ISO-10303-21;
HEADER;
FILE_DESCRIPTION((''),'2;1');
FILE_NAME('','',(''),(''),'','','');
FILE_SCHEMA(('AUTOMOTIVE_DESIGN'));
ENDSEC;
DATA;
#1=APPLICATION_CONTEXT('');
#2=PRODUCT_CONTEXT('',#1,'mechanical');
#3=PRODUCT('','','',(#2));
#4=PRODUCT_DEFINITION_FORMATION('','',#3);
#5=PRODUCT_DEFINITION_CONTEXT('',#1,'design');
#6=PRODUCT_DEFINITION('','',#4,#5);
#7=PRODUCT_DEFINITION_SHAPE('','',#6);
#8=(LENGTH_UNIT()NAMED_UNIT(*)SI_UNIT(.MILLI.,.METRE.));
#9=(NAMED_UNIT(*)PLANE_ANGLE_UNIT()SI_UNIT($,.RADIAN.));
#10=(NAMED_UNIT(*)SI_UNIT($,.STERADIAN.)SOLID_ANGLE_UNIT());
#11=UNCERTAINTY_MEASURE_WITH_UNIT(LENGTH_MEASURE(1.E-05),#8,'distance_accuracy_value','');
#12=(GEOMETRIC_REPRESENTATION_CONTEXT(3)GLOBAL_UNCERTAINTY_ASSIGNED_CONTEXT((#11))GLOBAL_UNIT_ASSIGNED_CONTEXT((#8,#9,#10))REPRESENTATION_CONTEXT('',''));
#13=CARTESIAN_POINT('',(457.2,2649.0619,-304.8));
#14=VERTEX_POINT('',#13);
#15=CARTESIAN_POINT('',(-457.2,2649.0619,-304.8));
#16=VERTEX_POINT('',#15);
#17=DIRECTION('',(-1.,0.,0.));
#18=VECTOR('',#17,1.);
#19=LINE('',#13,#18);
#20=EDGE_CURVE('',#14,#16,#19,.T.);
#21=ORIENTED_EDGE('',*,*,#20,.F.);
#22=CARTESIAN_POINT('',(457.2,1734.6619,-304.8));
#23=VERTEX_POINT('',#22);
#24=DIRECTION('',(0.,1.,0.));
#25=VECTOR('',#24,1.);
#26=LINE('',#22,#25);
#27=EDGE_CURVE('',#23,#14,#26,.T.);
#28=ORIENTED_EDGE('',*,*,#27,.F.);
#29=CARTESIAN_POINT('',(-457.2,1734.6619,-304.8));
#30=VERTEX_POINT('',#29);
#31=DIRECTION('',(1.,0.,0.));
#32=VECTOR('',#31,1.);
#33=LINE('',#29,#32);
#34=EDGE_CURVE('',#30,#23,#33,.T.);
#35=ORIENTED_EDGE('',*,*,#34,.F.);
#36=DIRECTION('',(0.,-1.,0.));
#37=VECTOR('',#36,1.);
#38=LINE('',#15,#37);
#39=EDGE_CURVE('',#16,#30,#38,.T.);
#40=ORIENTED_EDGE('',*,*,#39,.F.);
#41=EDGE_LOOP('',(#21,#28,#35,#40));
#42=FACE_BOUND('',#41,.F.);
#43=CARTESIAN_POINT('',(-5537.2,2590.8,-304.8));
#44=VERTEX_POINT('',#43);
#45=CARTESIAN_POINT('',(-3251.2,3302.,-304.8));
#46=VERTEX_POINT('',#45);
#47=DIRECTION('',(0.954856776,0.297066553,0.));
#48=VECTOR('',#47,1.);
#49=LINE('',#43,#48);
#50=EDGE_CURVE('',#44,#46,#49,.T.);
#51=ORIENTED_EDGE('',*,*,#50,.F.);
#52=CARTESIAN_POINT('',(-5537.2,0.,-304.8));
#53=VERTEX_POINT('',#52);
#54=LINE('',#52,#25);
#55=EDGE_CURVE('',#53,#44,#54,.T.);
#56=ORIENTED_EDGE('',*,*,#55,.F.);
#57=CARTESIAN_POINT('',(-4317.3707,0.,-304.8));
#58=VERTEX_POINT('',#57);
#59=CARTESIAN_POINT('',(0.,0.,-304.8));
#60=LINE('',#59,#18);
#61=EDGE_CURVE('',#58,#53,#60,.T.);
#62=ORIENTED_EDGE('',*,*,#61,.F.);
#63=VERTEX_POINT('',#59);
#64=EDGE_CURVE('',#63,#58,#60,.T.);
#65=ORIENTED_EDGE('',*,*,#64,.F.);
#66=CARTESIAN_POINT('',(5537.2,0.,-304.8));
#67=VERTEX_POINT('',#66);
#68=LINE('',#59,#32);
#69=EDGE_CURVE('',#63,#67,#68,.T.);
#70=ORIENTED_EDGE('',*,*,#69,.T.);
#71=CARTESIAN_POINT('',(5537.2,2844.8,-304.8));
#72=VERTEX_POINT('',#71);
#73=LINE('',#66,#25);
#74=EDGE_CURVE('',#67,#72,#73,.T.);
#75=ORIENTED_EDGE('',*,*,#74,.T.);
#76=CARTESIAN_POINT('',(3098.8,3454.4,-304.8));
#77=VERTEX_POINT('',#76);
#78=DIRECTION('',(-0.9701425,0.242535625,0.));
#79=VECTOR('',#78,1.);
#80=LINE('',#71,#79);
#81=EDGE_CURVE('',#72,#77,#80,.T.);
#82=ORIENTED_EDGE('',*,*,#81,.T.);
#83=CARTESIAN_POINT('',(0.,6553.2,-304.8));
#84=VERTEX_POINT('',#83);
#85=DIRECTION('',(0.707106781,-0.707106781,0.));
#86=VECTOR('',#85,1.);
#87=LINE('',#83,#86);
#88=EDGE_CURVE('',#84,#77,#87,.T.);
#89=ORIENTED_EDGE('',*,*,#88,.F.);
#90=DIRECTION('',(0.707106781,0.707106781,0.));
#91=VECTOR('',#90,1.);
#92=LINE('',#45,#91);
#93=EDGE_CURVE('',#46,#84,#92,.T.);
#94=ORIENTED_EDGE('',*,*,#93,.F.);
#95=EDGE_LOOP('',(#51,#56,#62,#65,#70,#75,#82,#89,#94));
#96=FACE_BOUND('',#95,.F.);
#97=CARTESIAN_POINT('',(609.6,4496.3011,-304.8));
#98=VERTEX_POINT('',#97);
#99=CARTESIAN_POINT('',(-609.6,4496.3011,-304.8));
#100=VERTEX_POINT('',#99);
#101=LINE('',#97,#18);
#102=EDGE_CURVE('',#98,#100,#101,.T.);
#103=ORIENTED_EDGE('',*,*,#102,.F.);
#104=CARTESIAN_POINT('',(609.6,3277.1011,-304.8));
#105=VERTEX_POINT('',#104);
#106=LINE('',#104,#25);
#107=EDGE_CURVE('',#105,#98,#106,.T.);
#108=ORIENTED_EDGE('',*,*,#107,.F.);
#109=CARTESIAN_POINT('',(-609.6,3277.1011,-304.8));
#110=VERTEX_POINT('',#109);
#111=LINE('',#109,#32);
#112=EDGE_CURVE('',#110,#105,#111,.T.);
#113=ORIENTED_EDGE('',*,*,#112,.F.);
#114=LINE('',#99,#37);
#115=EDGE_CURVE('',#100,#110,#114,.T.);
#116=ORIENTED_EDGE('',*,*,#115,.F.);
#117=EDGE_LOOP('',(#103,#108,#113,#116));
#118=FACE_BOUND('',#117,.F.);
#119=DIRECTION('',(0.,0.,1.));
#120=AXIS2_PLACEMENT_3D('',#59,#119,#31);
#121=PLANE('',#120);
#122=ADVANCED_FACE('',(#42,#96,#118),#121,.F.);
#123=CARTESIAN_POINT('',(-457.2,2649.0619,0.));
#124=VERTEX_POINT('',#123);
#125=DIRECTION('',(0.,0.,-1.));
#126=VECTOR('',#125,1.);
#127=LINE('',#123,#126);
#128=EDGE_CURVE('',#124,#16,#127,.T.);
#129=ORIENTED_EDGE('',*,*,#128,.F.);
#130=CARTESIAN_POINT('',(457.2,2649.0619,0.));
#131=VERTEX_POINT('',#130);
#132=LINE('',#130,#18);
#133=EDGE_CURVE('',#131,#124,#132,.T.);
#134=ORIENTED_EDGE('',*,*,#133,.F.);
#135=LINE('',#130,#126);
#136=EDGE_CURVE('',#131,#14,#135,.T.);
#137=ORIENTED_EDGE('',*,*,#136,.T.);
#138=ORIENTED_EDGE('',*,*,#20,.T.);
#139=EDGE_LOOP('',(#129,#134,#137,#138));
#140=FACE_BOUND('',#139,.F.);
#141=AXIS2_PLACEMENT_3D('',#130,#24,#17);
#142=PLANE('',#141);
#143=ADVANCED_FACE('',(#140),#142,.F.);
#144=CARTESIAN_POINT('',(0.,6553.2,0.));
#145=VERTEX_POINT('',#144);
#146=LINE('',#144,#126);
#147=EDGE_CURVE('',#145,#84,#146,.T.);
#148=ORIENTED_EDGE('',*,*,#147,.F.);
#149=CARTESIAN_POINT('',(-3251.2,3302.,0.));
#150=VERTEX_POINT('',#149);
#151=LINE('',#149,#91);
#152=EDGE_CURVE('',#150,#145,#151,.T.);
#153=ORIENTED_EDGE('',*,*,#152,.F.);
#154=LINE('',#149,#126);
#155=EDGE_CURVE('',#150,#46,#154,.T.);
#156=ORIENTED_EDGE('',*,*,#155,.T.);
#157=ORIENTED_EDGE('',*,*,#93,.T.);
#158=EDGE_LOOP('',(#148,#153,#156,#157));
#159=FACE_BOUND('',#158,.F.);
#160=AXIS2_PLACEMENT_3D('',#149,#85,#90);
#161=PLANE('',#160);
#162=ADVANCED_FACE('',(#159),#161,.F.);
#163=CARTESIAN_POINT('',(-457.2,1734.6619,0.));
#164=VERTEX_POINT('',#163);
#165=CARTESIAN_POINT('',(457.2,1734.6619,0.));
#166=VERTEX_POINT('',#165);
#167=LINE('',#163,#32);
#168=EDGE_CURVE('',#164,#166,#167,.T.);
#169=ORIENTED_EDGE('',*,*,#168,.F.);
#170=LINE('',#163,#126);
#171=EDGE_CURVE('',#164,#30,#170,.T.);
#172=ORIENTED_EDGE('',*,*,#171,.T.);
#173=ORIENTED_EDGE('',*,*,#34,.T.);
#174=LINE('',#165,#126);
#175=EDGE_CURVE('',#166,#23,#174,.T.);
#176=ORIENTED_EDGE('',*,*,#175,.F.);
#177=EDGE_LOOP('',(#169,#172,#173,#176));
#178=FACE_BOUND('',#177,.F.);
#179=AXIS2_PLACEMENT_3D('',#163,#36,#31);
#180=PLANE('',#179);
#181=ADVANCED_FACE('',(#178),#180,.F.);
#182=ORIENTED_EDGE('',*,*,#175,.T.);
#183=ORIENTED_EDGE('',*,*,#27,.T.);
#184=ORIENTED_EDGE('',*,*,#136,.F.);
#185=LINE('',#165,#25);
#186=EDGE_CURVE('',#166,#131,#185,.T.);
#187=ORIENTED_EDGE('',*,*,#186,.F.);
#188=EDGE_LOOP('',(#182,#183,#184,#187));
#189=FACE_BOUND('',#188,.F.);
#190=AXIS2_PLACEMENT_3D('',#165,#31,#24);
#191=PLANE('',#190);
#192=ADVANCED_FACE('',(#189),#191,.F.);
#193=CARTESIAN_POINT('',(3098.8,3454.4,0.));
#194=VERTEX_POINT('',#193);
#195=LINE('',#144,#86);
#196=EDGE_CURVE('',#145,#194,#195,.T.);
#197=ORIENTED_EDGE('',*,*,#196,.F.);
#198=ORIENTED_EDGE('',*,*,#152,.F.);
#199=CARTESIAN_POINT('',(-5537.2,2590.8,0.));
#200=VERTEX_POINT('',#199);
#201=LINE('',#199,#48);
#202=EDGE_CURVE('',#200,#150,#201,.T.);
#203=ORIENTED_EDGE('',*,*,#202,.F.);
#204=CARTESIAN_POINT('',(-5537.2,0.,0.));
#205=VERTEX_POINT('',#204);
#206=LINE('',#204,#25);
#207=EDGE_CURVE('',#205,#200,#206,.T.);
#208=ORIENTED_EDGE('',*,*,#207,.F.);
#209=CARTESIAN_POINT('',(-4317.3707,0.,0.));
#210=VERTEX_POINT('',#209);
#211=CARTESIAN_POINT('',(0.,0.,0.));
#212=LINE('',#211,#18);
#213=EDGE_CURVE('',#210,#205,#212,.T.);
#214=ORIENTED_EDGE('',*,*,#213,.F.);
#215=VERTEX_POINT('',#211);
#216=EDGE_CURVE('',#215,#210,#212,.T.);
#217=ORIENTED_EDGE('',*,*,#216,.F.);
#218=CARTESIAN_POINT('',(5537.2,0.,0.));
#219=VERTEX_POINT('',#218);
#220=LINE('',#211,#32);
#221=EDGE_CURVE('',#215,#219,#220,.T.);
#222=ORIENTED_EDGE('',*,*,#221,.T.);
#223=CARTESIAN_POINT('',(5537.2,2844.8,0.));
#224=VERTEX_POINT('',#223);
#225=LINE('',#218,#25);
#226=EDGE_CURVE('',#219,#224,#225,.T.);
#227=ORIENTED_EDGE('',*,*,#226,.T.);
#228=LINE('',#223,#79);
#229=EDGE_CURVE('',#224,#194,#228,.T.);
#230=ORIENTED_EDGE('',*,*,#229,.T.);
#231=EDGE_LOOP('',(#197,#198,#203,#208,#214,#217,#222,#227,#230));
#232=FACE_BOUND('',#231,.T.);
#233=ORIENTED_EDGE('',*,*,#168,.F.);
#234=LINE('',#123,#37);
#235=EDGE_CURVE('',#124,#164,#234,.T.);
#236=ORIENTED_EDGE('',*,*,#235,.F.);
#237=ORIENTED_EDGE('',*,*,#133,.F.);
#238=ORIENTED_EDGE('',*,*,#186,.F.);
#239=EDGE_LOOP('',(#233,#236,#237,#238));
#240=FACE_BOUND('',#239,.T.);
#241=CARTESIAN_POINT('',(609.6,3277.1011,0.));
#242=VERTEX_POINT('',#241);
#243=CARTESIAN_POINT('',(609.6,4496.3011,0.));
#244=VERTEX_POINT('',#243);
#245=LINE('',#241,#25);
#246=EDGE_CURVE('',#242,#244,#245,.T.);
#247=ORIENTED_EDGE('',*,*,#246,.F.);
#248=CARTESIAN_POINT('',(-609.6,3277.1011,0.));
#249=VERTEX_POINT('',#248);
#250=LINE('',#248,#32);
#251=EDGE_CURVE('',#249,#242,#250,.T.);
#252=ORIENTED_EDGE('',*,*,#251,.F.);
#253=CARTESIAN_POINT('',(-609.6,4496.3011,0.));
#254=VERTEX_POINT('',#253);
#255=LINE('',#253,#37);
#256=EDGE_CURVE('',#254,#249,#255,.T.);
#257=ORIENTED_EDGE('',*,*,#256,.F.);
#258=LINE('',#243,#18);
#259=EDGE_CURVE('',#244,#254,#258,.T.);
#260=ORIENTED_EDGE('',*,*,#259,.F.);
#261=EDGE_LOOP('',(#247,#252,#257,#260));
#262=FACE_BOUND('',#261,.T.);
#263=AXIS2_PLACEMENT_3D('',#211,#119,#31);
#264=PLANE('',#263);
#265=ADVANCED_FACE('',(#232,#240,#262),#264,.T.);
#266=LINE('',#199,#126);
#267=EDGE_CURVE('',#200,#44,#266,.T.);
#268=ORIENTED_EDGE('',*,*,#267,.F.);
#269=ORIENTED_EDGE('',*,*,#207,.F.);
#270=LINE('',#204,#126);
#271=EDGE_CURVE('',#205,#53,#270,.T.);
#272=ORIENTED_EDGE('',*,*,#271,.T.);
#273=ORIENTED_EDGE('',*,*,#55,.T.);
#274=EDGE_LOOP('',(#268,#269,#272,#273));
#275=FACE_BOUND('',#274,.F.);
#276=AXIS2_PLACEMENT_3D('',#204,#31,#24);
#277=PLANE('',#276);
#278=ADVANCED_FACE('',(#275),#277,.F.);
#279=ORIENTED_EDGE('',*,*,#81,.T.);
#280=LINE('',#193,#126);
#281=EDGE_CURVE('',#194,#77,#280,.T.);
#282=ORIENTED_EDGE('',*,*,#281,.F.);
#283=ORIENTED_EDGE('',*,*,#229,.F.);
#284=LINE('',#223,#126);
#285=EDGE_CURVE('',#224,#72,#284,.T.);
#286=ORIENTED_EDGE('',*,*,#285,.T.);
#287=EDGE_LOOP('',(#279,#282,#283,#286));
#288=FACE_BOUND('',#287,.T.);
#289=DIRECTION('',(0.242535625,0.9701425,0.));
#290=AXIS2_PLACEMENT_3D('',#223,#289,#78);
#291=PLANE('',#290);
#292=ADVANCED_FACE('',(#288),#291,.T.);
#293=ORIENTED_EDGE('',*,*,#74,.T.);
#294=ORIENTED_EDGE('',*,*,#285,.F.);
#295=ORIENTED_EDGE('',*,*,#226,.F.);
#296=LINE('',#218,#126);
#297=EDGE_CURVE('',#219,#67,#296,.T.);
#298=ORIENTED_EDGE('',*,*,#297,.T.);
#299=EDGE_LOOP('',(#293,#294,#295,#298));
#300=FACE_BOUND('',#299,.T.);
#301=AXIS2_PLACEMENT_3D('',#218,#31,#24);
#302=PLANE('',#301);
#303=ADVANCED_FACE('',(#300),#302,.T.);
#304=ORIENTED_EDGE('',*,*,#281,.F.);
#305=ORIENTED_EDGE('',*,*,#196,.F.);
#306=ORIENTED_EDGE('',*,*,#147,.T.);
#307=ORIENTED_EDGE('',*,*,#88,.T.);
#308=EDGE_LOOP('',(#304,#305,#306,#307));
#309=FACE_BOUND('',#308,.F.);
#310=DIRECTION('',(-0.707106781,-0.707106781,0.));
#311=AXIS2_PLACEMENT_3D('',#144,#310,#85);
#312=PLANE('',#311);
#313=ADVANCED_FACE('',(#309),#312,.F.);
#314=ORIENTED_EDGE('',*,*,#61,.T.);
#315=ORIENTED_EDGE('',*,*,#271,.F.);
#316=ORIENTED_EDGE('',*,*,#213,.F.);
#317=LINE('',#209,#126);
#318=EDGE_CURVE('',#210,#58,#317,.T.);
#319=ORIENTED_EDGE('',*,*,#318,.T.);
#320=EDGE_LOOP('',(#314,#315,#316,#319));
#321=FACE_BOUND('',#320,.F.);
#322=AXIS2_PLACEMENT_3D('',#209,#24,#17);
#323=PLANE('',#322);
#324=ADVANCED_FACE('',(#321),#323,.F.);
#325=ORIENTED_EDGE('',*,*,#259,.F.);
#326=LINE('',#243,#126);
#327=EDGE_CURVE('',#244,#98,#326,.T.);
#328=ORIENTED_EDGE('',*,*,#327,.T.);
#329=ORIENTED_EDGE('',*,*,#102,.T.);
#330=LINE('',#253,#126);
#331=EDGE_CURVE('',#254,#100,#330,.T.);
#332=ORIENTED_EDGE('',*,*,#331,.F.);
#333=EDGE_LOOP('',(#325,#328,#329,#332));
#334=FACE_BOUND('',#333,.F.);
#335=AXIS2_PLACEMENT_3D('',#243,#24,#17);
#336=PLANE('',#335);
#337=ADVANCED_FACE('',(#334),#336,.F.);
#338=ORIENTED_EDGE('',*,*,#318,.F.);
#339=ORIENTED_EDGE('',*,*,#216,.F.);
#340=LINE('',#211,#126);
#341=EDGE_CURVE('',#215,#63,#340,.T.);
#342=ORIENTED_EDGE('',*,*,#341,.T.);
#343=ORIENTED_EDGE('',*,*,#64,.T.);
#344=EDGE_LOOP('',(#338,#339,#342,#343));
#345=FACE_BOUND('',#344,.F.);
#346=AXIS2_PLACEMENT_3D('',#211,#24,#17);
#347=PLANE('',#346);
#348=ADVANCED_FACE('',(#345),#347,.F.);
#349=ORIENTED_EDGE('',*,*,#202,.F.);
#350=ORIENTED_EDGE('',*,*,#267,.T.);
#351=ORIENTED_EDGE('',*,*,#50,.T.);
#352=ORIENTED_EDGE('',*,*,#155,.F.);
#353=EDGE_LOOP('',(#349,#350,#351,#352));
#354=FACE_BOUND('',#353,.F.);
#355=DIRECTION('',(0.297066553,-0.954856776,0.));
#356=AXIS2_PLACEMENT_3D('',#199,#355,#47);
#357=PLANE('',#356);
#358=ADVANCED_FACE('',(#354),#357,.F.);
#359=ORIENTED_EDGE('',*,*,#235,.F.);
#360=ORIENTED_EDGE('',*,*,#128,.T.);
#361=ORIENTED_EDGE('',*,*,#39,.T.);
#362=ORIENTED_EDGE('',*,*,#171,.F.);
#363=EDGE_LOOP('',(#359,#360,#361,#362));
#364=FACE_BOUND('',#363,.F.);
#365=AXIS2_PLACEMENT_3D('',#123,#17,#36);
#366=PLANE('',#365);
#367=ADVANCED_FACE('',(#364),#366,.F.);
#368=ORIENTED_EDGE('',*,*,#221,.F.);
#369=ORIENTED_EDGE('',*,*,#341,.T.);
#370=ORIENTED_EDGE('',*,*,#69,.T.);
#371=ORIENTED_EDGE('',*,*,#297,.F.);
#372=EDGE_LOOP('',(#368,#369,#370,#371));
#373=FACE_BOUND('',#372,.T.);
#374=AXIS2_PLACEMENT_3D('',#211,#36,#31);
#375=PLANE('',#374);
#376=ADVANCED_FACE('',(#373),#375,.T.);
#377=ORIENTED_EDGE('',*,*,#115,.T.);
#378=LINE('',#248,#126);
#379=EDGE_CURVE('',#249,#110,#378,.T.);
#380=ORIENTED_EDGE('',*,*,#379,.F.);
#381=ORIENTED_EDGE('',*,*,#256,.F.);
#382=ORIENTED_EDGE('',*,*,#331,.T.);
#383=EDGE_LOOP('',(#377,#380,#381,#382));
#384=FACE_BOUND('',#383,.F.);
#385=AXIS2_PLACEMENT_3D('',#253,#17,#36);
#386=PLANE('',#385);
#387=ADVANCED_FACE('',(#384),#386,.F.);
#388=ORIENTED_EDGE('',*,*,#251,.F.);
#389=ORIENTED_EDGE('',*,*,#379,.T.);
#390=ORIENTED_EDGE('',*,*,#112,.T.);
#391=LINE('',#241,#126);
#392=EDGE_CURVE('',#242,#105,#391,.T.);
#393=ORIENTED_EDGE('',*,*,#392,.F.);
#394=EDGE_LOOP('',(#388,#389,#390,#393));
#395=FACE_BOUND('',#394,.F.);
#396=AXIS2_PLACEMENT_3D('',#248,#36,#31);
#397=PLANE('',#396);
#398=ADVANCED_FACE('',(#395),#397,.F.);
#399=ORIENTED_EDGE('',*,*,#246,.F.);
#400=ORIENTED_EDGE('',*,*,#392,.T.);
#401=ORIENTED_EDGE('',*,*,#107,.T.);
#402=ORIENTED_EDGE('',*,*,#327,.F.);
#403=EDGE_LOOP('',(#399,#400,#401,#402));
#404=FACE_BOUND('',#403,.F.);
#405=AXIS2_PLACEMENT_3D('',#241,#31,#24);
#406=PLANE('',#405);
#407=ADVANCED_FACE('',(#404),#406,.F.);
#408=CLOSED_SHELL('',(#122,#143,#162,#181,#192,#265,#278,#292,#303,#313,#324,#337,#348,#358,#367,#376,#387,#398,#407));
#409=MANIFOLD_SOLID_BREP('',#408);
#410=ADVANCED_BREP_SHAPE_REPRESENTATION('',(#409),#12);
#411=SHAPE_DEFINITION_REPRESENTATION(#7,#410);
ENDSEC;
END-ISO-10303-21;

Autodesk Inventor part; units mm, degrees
ref_plane "YZ Plane" through (0, 0, 0) normal (1, 0, 0) x (0, 1, 0)
ref_plane "XZ Plane" through (0, 0, 0) normal (0, 1, 0) x (-1, 0, 0)
ref_plane "XY Plane" through (0, 0, 0) normal (0, 0, 1) x (1, 0, 0)
sketch "Sketch1" plane through (0, 0, 0) normal (0, 0, 1) x (1, 0, 0)
  line L0 (0, 0) -> (5537.2, 0)
  line L1 (0, 0) -> (-5537.2, 0)
  line L2 (-5537.2, 0) -> (-4317.3707, 0)
  line L3 (-5537.2, 0) -> (-5537.2, 2590.8)
  line L4 (-5537.2, 2590.8) -> (-3251.2, 3302)
  line L5 (-3251.2, 3302) -> (0, 6553.2)
  line L6 (0, 0) -> (0, 6553.2) construction
  line L7 (-3251.2, 3302) -> (-3251.2, 0) construction
  line L8 (0, 6553.2) -> (3098.8, 3454.4)
  line L9 (5537.2, 0) -> (5537.2, 2844.8)
  line L10 (5537.2, 2844.8) -> (3098.8, 3454.4)
  line L11 (3098.8, 3454.4) -> (3098.8, 0) construction
  line L12 (-457.2, 1734.6619) -> (457.2, 1734.6619)
  line L13 (457.2, 1734.6619) -> (457.2, 2649.0619)
  line L14 (457.2, 2649.0619) -> (-457.2, 2649.0619)
  line L15 (-457.2, 2649.0619) -> (-457.2, 1734.6619)
  line L16 (-457.2, 1734.6619) -> (457.2, 2649.0619) construction
  line L17 (457.2, 1734.6619) -> (-457.2, 2649.0619) construction
  line L18 (-609.6, 3277.1011) -> (609.6, 3277.1011)
  line L19 (609.6, 3277.1011) -> (609.6, 4496.3011)
  line L20 (609.6, 4496.3011) -> (-609.6, 4496.3011)
  line L21 (-609.6, 4496.3011) -> (-609.6, 3277.1011)
  line L22 (-609.6, 3277.1011) -> (609.6, 4496.3011) construction
  line L23 (609.6, 3277.1011) -> (-609.6, 4496.3011) construction
  point P0 (0, 2191.8619)
  point P1 (0, 3886.7011)
  dimension "d0" = 5537.2
  dimension "d1" = 5537.2
  dimension "d2" = 2590.8
  dimension "d3" = 6553.2
  dimension "d4" = 45
  dimension "d5" = 3302
  dimension "d6" = 3454.4
  dimension "d7" = 45
  dimension "d8" = 914.4
  dimension "d9" = 914.4
  dimension "d10" = 1219.2
  dimension "d11" = 1219.2
  dimension "d14" = 2844.8
  dimension "d15" = 2394.0763
  dimension "d16" = 4597.8911
  dimension "d17" = 4382.365
  dimension "d18" = 2513.4452
extrude "Extrusion1" add sketch "Sketch1" against normal blind 304.8
properties part number "backOfHouseForSiding"
